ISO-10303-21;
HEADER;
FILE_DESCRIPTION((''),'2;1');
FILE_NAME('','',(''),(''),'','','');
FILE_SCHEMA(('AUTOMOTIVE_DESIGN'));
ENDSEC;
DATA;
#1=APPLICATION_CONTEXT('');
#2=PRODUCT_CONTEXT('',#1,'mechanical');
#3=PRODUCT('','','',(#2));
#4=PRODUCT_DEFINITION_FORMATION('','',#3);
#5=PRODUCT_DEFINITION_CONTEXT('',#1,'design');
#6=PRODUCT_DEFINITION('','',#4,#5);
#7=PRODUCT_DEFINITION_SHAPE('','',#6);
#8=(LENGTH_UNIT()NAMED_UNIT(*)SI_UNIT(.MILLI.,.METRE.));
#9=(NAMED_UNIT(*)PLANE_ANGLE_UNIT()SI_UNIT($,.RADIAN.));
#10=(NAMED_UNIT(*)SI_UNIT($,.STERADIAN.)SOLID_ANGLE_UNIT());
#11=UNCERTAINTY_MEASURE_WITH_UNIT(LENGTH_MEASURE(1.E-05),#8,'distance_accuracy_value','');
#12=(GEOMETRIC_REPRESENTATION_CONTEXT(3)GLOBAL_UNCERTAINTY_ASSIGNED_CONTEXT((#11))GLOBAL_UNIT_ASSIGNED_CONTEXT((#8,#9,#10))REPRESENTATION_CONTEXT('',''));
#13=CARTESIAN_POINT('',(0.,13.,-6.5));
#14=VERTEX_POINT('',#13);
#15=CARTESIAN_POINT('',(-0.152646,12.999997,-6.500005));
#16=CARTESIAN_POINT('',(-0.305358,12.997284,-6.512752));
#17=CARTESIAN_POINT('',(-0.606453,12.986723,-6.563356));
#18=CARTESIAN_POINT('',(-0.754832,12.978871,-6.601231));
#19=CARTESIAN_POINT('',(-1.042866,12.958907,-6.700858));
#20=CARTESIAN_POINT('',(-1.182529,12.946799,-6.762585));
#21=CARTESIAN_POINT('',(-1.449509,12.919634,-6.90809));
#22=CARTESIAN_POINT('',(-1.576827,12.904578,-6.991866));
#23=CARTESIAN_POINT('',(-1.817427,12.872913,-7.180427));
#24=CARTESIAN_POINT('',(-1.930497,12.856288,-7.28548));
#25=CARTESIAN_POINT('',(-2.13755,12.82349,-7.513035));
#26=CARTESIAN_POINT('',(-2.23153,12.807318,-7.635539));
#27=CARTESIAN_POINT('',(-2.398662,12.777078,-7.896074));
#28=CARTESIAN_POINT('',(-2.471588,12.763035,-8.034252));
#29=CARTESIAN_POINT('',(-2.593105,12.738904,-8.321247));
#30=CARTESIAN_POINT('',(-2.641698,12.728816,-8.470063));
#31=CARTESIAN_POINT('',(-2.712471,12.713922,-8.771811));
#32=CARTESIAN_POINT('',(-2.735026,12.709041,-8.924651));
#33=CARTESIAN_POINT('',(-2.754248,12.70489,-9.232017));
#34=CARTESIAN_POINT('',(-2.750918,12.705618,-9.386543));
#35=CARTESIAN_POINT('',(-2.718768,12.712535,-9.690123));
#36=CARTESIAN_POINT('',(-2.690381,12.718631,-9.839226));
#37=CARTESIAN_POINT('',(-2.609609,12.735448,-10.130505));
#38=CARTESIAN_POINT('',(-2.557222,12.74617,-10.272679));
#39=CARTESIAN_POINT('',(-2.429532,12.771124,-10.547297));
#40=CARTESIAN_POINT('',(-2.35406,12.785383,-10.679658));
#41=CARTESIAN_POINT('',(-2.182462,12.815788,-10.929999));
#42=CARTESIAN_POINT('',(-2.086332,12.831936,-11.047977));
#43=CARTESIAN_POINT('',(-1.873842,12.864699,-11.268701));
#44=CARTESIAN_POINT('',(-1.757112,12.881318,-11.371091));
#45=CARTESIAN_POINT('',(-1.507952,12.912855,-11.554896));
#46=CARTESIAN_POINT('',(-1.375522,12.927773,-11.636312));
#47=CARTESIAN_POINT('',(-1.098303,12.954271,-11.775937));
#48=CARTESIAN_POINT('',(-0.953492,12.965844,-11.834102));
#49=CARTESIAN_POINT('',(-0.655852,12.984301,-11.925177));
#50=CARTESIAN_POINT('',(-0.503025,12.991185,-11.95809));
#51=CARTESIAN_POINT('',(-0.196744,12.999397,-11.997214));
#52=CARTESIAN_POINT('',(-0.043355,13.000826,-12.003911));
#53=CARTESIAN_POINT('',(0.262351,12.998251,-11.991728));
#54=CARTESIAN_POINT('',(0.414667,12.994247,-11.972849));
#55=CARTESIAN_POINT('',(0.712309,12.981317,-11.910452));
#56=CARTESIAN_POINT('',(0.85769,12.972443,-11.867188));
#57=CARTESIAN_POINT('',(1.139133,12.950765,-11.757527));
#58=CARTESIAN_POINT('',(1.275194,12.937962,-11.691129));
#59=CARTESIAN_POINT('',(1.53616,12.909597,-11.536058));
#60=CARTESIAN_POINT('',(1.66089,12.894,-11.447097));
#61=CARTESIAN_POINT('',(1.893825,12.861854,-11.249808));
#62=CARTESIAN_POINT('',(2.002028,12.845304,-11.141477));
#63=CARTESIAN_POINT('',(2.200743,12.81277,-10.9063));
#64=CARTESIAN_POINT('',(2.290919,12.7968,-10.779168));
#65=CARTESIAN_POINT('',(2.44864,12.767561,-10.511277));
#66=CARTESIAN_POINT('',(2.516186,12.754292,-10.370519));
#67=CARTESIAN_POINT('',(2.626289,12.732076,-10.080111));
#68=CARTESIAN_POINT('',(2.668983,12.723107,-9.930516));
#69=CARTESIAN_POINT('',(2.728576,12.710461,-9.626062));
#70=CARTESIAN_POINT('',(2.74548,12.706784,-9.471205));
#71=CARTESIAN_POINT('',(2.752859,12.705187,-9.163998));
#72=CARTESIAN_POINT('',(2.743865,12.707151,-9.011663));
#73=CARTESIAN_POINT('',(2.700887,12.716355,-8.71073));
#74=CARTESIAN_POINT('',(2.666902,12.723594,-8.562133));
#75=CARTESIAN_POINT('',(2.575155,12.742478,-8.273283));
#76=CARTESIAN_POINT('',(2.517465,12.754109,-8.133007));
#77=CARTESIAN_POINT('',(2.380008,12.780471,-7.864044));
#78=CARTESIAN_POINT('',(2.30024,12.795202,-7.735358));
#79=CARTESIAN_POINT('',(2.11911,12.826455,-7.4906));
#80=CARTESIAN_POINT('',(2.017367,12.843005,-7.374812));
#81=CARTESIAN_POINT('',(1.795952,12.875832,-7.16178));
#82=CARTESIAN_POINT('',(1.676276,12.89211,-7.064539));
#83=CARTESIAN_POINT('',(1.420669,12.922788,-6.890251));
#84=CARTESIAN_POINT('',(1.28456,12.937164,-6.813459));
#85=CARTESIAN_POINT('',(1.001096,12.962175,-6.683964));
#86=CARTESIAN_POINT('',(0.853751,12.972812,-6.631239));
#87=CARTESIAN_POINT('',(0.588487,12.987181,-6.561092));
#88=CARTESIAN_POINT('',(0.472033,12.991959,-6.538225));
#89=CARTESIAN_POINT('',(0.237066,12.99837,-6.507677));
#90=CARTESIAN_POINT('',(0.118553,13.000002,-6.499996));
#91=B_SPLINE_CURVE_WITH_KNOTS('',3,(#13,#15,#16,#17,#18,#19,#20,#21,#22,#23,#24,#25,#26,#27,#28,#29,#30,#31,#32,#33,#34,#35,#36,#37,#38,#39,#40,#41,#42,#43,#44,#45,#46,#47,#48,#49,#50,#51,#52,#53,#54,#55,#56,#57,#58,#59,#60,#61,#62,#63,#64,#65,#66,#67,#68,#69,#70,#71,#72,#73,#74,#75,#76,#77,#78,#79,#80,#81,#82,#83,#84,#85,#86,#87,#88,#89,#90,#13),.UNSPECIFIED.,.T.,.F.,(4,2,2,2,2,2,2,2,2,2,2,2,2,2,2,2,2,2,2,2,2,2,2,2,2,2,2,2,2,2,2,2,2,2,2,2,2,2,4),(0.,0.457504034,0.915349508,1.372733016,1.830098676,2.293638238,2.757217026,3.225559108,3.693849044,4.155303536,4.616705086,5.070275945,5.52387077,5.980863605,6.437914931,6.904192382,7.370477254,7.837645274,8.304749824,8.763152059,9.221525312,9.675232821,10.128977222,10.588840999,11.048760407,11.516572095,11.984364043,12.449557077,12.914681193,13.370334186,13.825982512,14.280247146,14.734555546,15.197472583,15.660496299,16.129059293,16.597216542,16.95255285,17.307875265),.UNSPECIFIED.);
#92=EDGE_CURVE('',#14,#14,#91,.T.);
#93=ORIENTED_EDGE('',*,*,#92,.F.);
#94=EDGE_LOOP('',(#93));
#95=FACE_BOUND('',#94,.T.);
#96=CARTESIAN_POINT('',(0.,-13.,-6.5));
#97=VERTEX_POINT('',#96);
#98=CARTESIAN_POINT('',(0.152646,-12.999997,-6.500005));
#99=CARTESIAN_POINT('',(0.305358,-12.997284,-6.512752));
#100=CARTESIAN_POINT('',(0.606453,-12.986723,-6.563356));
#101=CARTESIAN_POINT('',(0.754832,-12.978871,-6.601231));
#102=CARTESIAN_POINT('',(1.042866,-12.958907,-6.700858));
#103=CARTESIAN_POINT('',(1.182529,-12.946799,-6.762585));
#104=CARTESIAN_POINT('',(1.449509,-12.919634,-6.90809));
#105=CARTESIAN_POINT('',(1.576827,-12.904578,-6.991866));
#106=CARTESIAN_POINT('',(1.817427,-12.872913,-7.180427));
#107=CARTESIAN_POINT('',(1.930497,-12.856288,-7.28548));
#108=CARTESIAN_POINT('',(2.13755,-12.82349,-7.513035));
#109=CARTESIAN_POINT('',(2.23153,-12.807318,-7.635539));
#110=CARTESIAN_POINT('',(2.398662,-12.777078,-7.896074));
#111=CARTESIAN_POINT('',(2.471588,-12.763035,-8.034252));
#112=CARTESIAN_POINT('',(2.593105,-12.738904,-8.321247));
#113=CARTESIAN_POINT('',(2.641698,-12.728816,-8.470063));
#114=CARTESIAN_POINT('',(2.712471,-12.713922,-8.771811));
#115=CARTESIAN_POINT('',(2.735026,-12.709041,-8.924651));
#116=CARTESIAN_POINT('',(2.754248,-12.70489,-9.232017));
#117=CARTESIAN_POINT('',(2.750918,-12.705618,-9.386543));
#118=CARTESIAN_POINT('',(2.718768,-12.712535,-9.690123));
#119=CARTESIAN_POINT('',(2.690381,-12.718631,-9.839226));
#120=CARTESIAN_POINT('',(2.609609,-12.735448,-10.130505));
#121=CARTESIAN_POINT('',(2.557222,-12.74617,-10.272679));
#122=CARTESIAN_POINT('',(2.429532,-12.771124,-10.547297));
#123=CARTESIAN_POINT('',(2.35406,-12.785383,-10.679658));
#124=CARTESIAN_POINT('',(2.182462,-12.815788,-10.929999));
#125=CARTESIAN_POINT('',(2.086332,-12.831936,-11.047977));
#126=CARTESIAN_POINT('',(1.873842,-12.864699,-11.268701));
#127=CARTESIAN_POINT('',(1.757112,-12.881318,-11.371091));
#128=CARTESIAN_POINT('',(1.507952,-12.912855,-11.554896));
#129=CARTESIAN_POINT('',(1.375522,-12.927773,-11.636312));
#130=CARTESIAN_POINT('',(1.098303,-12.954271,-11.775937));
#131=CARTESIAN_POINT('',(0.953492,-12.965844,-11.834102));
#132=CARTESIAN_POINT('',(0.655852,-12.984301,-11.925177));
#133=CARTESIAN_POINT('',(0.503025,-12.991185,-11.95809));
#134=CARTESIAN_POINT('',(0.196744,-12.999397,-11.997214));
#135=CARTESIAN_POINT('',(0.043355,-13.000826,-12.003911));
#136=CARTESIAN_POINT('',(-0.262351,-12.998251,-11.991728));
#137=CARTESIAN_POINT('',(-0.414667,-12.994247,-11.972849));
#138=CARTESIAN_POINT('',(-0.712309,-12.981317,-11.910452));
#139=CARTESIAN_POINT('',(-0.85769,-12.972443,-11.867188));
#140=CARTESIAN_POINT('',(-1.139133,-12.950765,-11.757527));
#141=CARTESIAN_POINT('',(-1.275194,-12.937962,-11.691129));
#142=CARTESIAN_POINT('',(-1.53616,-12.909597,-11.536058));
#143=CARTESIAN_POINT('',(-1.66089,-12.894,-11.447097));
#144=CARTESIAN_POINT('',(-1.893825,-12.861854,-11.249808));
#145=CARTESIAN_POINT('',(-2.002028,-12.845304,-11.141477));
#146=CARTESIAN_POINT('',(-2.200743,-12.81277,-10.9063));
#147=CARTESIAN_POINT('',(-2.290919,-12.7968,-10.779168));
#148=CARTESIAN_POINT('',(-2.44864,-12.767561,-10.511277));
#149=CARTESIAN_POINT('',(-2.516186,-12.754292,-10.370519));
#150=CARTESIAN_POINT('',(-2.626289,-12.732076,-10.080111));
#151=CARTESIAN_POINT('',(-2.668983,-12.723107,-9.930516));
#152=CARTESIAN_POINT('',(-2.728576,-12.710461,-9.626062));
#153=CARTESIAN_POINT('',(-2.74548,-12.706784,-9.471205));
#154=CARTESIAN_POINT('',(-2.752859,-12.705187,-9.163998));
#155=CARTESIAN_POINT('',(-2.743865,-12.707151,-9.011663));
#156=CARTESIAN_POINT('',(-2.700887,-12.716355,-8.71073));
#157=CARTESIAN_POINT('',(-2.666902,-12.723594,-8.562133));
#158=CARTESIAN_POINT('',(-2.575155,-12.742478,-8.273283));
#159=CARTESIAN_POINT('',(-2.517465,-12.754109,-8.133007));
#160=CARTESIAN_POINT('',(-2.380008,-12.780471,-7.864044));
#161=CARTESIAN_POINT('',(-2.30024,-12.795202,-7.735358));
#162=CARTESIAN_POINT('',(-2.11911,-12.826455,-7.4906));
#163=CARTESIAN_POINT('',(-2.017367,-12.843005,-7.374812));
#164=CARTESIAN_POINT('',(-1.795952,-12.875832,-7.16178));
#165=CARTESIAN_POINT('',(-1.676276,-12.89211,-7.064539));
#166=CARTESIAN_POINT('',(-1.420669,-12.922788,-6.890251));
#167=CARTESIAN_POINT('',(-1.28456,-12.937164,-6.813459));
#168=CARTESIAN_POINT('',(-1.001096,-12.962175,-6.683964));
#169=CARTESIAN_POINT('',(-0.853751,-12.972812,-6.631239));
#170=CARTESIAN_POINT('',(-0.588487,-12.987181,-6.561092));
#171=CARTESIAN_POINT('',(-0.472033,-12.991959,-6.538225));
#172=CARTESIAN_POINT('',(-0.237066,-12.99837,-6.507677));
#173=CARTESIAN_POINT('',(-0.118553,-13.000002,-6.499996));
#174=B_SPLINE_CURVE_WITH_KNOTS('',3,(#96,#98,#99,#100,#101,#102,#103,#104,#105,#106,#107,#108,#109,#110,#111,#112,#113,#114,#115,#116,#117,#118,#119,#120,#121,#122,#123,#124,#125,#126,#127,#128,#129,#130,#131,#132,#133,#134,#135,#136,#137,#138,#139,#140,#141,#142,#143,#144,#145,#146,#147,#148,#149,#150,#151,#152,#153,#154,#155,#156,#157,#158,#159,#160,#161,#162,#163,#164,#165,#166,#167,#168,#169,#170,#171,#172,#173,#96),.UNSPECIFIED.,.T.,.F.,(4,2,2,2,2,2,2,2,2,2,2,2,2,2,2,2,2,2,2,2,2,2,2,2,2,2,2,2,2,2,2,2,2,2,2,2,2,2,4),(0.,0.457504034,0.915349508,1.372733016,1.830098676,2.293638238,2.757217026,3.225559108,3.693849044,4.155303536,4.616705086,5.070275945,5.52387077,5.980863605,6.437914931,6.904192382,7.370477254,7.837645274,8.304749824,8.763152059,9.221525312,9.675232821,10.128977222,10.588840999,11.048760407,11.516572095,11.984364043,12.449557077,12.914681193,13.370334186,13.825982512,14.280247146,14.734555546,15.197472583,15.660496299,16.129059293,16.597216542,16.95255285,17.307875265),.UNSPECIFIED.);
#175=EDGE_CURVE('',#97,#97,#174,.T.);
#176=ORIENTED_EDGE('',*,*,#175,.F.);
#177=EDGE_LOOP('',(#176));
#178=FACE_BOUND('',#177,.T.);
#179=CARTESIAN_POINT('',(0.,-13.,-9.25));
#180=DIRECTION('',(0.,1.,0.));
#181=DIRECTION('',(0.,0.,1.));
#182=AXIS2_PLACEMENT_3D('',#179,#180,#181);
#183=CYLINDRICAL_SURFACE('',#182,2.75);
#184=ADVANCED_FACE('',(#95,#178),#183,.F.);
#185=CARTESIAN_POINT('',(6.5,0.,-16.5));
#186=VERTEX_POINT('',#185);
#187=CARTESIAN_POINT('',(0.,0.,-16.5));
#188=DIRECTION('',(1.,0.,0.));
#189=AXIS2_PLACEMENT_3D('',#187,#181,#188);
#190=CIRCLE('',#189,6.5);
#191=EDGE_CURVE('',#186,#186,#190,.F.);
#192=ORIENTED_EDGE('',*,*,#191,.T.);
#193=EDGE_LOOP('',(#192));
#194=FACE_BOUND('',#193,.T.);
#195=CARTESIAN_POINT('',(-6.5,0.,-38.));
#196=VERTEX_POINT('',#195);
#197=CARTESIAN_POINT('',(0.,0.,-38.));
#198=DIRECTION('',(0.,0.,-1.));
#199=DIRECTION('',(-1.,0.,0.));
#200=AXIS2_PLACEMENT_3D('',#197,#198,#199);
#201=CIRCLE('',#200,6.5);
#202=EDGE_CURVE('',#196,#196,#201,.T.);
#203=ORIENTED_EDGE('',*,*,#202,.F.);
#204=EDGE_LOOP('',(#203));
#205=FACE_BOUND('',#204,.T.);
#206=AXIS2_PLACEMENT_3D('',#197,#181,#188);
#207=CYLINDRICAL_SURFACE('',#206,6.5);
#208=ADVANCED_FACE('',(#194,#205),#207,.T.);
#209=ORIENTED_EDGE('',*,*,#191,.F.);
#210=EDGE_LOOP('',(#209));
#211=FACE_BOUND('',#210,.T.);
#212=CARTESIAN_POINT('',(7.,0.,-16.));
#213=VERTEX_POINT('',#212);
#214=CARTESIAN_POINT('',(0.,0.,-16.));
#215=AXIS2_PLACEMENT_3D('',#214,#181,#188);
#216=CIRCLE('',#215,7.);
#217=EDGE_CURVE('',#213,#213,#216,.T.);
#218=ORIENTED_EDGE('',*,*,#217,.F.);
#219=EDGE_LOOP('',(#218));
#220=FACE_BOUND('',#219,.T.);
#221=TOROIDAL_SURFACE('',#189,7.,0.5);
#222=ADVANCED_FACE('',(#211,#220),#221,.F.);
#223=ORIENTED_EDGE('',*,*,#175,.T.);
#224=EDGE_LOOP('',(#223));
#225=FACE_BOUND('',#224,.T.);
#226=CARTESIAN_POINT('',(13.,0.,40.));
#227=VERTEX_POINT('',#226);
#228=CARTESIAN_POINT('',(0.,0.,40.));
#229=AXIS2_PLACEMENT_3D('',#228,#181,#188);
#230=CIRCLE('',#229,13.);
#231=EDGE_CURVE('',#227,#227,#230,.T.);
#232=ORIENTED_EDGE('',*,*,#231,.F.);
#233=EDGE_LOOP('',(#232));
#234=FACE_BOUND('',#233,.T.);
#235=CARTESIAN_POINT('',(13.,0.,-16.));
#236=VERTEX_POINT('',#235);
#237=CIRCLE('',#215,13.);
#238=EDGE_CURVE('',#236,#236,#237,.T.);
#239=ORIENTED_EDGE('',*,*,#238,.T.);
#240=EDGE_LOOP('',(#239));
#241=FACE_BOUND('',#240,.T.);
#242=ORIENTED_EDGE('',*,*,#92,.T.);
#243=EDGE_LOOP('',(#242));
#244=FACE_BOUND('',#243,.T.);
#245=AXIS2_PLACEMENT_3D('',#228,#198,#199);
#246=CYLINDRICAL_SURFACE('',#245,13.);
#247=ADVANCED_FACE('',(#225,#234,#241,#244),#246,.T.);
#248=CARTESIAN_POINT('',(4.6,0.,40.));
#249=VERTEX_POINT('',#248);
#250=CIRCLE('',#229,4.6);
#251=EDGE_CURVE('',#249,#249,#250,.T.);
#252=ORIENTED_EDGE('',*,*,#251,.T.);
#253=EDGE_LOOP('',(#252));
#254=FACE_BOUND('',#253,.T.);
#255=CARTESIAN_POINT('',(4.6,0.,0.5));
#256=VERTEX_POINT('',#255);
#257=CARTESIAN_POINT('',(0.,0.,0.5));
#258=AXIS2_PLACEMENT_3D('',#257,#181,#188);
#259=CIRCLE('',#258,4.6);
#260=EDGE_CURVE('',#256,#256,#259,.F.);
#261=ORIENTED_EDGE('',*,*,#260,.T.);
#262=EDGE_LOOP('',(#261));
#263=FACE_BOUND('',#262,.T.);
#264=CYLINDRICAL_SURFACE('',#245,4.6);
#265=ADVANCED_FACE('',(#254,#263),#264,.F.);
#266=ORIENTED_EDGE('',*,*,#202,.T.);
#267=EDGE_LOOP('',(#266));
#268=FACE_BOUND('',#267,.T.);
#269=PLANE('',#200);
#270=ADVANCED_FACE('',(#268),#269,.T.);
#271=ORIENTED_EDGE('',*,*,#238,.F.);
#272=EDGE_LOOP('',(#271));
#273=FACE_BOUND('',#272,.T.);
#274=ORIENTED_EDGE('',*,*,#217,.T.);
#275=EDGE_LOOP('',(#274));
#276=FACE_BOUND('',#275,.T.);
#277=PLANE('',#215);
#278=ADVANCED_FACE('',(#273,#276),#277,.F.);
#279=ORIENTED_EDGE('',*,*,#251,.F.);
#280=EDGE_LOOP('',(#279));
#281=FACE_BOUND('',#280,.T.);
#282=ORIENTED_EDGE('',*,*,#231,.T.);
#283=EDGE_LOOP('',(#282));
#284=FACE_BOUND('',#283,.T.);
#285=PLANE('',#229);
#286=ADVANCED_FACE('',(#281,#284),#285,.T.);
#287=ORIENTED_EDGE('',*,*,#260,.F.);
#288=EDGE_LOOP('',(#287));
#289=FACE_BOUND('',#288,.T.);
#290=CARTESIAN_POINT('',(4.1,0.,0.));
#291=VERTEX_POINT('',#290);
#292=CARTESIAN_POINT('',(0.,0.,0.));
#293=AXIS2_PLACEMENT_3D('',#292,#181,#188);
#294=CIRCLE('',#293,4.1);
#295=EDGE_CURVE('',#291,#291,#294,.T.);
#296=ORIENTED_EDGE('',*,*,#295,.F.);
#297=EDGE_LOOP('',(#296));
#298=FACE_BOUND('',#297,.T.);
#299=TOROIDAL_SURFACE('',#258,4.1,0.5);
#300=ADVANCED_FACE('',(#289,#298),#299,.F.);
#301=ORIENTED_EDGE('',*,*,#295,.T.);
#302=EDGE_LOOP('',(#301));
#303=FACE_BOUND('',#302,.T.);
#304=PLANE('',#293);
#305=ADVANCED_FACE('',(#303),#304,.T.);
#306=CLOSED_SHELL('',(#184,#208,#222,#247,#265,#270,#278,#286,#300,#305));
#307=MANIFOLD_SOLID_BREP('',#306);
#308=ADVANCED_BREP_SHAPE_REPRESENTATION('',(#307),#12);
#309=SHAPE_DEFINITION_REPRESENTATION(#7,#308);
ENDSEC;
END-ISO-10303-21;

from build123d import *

# Parameters (mm, degrees)
CROQUIS1_R                 = 13
CROQUIS1_R_2               = 4.6
SALIENTE_EXTRUIR1_DEPTH    = 40
SALIENTE_EXTRUIR2_START    = -16
CROQUIS1_2_R               = 13
SALIENTE_EXTRUIR2_DEPTH    = 16
CROQUIS2_R                 = 6.5
SALIENTE_EXTRUIR3_DEPTH    = 22
REDONDEO1_R                = 0.5
REDONDEO2_R                = 0.5
CORTAR_EXTRUIR1_DEPTH      = 45.022721406
CORTAR_EXTRUIR1_DEPTH_BACK = 45.022721406
CROQUIS3_R                 = 2.75


with BuildPart() as part:
    # Croquis1 → Saliente-Extruir1 (new body)
    with BuildSketch(Plane.XY):
        Circle(CROQUIS1_R)
        Circle(CROQUIS1_R_2, mode=Mode.SUBTRACT)
    extrude(amount=SALIENTE_EXTRUIR1_DEPTH)

    # Croquis1<2> → Saliente-Extruir2 (add)
    with BuildSketch(Plane.XY.offset(SALIENTE_EXTRUIR2_START)):
        Circle(CROQUIS1_2_R)
    extrude(amount=SALIENTE_EXTRUIR2_DEPTH)

    # Croquis2 → Saliente-Extruir3 (add)
    with BuildSketch(Plane(origin=(0, 0, -16), x_dir=(-1, 0, 0), z_dir=(0, 0, -1))):
        Circle(CROQUIS2_R)
    extrude(amount=SALIENTE_EXTRUIR3_DEPTH)

    # Redondeo1
    redondeo1_edges = [part.edges().sort_by_distance(p)[0] for p in [
        (6.5, 0, -16),
    ]]
    fillet(redondeo1_edges, radius=REDONDEO1_R)

    # Redondeo2
    redondeo2_edges = [part.edges().sort_by_distance(p)[0] for p in [
        (-4.6, 0, 0),
    ]]
    fillet(redondeo2_edges, radius=REDONDEO2_R)

    # Croquis3 → Cortar-Extruir1 (cut, two sides: drawn at the far end of the back side and taken through both)
    with BuildSketch(Plane(origin=(0, 0, 0), x_dir=(1, 0, 0), z_dir=(0, 1, 0)).offset(-CORTAR_EXTRUIR1_DEPTH_BACK)):
        with Locations((0, 9.25)):
            Circle(CROQUIS3_R)
    extrude(amount=CORTAR_EXTRUIR1_DEPTH + CORTAR_EXTRUIR1_DEPTH_BACK, mode=Mode.SUBTRACT)


solid = part.part
